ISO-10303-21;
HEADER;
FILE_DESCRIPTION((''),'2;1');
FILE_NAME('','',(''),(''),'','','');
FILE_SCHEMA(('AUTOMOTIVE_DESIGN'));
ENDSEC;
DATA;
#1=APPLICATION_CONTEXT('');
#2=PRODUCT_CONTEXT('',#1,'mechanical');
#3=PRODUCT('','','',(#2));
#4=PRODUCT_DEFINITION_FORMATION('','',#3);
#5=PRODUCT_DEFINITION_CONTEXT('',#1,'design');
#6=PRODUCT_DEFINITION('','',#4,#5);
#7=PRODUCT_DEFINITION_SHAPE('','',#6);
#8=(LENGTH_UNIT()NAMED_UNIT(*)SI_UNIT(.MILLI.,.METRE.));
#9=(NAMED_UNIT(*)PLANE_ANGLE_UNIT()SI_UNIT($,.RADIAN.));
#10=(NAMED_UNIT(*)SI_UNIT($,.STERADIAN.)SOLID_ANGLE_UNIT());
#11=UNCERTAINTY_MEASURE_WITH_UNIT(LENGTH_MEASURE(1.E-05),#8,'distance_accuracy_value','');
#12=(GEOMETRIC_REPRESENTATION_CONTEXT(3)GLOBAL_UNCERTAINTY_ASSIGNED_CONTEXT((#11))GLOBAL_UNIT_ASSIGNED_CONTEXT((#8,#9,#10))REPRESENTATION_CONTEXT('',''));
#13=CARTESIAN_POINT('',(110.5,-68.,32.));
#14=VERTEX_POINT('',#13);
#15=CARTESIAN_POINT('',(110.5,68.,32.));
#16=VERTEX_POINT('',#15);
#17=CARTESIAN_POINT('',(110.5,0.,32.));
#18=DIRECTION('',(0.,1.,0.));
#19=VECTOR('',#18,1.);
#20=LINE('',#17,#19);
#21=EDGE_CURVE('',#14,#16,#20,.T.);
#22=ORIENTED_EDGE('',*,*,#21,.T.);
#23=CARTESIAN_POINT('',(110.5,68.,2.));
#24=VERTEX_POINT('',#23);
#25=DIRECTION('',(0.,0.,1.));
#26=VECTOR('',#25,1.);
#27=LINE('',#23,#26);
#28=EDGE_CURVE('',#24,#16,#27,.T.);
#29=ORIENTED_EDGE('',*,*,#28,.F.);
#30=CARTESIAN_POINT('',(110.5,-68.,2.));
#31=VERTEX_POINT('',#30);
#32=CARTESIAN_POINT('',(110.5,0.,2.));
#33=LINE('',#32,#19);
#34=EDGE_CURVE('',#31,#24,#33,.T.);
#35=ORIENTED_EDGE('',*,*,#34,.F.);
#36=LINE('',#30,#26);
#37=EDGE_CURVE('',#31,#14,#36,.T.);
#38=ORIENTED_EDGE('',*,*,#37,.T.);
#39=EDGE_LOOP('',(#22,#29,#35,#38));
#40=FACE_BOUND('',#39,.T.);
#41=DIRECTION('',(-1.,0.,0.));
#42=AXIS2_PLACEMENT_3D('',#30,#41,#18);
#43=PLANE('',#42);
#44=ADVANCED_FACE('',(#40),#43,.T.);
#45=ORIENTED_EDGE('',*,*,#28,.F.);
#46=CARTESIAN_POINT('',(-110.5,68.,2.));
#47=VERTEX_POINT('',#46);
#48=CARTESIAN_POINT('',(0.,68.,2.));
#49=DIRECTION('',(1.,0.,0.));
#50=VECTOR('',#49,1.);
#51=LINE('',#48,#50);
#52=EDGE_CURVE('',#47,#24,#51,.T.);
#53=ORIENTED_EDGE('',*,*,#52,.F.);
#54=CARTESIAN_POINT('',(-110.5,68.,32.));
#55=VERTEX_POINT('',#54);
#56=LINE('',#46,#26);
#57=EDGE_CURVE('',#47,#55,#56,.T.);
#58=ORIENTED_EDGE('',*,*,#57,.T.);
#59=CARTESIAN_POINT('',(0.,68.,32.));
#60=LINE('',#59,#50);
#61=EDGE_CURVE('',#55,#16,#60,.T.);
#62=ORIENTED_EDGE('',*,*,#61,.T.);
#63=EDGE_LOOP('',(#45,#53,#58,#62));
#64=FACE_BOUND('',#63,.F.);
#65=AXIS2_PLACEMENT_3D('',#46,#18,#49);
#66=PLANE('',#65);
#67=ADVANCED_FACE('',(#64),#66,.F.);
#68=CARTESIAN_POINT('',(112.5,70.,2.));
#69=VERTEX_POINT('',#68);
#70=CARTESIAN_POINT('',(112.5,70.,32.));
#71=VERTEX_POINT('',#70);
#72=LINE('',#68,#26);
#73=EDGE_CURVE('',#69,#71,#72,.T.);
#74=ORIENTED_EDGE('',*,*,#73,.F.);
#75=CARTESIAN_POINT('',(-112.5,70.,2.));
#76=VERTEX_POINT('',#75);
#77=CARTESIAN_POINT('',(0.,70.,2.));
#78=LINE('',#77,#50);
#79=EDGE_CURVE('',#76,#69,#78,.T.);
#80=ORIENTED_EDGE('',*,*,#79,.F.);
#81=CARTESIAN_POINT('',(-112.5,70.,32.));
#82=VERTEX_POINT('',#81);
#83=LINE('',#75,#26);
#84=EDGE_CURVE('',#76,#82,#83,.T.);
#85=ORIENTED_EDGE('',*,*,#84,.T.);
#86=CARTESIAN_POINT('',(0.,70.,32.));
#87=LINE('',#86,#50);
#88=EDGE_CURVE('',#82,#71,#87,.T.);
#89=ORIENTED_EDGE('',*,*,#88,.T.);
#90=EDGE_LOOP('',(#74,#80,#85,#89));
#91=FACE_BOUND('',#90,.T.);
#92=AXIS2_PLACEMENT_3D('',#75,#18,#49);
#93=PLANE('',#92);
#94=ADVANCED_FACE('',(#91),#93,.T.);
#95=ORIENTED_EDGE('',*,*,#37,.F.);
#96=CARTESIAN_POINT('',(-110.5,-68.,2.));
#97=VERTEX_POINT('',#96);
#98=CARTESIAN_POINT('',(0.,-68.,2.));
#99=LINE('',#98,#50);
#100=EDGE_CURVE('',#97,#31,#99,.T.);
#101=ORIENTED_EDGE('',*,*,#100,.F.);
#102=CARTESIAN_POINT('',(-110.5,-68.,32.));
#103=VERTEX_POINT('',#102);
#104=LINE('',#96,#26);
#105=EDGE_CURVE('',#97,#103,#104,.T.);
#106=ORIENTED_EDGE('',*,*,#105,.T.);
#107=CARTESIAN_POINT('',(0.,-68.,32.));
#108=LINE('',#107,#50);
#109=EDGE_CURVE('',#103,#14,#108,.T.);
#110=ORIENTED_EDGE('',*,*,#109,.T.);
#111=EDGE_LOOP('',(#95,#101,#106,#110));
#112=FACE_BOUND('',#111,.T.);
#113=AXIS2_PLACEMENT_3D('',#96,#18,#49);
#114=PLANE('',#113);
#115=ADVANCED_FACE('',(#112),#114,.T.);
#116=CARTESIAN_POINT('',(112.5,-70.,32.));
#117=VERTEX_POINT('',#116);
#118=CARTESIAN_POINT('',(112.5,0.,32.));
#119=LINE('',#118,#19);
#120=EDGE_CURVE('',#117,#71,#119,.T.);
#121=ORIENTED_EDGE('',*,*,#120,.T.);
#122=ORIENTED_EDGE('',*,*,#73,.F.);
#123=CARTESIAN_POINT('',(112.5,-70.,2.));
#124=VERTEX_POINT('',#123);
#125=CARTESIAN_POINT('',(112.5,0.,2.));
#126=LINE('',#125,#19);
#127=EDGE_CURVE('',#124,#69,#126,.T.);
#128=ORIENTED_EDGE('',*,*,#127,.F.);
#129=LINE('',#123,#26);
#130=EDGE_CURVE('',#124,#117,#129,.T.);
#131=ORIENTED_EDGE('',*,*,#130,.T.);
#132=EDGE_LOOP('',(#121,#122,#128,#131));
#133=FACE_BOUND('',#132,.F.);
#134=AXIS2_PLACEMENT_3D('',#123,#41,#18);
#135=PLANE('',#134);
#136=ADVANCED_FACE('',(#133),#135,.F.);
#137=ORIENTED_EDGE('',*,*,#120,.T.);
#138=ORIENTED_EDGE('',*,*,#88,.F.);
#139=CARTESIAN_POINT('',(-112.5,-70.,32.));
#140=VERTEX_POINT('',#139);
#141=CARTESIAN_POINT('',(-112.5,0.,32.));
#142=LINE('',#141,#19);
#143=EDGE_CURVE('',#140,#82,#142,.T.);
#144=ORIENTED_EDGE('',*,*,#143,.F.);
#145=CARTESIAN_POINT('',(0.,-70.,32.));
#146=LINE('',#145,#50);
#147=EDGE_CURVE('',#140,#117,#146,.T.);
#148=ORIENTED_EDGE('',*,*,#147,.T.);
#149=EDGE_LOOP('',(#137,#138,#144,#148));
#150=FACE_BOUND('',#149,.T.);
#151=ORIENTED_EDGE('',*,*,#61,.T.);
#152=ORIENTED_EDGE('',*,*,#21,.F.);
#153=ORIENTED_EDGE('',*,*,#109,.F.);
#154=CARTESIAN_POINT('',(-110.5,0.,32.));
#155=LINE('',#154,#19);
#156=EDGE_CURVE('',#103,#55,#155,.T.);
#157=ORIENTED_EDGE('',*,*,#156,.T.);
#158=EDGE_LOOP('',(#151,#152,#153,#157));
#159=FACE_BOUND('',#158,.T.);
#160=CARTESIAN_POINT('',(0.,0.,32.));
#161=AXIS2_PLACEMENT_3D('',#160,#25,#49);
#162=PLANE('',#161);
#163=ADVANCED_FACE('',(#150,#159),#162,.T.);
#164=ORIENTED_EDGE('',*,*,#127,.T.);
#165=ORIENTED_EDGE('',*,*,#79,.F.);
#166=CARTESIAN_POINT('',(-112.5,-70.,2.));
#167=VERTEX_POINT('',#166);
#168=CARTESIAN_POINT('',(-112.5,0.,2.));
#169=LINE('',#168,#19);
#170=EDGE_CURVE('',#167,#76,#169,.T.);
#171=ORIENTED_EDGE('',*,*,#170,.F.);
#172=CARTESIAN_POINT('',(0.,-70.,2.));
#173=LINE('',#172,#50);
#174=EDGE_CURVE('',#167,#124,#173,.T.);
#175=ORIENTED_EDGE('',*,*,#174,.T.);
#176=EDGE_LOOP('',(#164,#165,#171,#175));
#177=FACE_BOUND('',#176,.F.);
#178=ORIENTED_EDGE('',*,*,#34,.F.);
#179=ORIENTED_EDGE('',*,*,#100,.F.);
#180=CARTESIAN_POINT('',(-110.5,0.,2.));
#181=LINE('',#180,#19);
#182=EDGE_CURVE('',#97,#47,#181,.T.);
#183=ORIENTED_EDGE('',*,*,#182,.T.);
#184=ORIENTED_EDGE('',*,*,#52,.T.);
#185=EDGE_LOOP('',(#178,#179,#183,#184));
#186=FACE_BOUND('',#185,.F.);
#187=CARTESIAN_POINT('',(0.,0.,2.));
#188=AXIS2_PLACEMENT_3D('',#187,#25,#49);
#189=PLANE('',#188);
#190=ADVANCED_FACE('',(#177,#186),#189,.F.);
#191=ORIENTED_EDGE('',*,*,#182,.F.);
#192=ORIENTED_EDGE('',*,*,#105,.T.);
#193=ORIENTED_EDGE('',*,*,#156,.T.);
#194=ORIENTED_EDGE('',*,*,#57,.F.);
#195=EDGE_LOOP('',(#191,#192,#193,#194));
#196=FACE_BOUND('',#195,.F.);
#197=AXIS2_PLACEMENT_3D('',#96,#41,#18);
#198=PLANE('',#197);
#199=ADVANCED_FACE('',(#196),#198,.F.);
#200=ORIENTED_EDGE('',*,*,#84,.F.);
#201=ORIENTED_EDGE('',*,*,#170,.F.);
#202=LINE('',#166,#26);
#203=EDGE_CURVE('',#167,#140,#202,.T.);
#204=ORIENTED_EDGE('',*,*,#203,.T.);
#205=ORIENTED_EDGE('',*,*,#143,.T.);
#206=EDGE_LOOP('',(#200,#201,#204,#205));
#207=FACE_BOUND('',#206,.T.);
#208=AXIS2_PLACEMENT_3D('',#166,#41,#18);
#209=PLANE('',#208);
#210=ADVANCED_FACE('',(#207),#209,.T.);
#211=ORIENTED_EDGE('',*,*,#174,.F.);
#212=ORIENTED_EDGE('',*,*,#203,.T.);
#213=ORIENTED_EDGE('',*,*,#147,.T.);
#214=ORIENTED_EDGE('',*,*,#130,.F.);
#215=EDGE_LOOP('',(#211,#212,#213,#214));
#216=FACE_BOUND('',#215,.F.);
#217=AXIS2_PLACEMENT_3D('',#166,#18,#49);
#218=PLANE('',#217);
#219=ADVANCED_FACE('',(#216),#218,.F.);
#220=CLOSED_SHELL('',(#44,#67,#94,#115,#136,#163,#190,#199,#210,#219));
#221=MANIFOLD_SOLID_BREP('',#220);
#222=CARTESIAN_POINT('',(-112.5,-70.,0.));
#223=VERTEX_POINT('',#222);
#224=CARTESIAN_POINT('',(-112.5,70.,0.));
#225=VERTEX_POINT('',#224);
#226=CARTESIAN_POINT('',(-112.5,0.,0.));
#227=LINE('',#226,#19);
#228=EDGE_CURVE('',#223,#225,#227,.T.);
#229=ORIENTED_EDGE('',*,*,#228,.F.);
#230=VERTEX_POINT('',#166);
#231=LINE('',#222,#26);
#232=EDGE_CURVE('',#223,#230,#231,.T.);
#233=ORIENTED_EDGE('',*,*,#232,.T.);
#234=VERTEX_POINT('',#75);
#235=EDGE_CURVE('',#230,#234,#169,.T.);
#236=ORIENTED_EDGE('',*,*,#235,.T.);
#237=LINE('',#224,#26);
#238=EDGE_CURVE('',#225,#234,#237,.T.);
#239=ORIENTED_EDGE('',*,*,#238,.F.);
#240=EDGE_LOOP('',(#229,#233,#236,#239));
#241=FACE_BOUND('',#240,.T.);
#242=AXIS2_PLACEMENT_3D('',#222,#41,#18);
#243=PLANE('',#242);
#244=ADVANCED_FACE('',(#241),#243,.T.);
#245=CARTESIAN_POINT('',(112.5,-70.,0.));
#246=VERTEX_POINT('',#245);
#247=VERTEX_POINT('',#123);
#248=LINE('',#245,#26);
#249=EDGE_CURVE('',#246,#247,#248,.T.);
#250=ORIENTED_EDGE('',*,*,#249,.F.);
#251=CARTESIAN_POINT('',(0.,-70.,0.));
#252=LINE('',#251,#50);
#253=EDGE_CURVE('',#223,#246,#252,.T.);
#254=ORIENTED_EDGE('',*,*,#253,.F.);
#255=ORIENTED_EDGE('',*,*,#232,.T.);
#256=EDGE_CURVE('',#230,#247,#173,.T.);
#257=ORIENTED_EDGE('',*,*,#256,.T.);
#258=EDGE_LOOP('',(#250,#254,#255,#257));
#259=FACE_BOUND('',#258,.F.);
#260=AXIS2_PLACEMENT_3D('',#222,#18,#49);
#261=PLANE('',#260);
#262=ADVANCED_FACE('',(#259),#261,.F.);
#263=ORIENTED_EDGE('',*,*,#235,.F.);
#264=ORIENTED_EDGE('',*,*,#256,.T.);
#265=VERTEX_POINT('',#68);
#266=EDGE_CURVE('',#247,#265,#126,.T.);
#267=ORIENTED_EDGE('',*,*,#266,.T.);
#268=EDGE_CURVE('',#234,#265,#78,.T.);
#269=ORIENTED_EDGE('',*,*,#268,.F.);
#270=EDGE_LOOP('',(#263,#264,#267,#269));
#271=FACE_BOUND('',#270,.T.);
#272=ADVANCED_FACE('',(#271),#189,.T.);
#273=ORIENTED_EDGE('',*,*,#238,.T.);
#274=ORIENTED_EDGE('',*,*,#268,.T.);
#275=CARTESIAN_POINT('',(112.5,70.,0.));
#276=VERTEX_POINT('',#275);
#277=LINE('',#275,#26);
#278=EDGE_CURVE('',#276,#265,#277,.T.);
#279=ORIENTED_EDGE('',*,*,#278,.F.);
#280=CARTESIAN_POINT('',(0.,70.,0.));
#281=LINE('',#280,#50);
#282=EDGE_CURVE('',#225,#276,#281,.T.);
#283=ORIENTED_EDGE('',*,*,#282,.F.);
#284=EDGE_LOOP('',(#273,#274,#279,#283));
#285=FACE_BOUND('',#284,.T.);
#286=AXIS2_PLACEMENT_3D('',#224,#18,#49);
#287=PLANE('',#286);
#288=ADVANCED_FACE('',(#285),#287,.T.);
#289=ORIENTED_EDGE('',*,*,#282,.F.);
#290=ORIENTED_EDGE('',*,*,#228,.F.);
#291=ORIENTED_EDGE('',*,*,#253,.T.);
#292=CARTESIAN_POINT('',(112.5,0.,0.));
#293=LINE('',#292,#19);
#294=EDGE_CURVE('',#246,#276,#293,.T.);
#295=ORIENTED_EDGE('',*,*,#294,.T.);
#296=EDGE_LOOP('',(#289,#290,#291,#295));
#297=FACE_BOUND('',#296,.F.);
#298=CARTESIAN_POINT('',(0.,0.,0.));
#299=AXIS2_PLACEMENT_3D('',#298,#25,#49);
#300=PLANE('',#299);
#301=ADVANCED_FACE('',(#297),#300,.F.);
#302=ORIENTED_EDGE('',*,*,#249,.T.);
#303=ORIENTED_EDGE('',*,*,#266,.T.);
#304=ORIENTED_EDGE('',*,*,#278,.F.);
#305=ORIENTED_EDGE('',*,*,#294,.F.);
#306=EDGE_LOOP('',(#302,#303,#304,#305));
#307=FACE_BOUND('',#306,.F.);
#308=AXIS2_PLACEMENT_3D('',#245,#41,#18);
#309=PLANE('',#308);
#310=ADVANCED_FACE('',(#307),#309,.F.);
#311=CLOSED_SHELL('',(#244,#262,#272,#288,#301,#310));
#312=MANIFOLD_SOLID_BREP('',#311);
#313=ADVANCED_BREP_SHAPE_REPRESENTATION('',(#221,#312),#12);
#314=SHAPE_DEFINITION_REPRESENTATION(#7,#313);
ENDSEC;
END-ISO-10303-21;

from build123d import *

# Parameters (mm, degrees)
SKETCH_W      = 225
SKETCH_H      = 140
PAD_DEPTH     = 2
SKETCH001_W   = 225
SKETCH001_H   = 140
SKETCH001_W_2 = 221
SKETCH001_H_2 = 136
PAD001_DEPTH  = 30


with BuildPart() as pad:
    # Sketch → Pad (new body)
    with BuildSketch(Plane.XY):
        Rectangle(SKETCH_W, SKETCH_H)
    extrude(amount=PAD_DEPTH)


with BuildPart() as pad001:
    # Sketch001 → Pad001 (new body)
    with BuildSketch(Plane.XY.offset(2)):
        Rectangle(SKETCH001_W, SKETCH001_H)
        Rectangle(SKETCH001_W_2, SKETCH001_H_2, mode=Mode.SUBTRACT)
    extrude(amount=PAD001_DEPTH)


solid = Compound([pad.part, pad001.part])
